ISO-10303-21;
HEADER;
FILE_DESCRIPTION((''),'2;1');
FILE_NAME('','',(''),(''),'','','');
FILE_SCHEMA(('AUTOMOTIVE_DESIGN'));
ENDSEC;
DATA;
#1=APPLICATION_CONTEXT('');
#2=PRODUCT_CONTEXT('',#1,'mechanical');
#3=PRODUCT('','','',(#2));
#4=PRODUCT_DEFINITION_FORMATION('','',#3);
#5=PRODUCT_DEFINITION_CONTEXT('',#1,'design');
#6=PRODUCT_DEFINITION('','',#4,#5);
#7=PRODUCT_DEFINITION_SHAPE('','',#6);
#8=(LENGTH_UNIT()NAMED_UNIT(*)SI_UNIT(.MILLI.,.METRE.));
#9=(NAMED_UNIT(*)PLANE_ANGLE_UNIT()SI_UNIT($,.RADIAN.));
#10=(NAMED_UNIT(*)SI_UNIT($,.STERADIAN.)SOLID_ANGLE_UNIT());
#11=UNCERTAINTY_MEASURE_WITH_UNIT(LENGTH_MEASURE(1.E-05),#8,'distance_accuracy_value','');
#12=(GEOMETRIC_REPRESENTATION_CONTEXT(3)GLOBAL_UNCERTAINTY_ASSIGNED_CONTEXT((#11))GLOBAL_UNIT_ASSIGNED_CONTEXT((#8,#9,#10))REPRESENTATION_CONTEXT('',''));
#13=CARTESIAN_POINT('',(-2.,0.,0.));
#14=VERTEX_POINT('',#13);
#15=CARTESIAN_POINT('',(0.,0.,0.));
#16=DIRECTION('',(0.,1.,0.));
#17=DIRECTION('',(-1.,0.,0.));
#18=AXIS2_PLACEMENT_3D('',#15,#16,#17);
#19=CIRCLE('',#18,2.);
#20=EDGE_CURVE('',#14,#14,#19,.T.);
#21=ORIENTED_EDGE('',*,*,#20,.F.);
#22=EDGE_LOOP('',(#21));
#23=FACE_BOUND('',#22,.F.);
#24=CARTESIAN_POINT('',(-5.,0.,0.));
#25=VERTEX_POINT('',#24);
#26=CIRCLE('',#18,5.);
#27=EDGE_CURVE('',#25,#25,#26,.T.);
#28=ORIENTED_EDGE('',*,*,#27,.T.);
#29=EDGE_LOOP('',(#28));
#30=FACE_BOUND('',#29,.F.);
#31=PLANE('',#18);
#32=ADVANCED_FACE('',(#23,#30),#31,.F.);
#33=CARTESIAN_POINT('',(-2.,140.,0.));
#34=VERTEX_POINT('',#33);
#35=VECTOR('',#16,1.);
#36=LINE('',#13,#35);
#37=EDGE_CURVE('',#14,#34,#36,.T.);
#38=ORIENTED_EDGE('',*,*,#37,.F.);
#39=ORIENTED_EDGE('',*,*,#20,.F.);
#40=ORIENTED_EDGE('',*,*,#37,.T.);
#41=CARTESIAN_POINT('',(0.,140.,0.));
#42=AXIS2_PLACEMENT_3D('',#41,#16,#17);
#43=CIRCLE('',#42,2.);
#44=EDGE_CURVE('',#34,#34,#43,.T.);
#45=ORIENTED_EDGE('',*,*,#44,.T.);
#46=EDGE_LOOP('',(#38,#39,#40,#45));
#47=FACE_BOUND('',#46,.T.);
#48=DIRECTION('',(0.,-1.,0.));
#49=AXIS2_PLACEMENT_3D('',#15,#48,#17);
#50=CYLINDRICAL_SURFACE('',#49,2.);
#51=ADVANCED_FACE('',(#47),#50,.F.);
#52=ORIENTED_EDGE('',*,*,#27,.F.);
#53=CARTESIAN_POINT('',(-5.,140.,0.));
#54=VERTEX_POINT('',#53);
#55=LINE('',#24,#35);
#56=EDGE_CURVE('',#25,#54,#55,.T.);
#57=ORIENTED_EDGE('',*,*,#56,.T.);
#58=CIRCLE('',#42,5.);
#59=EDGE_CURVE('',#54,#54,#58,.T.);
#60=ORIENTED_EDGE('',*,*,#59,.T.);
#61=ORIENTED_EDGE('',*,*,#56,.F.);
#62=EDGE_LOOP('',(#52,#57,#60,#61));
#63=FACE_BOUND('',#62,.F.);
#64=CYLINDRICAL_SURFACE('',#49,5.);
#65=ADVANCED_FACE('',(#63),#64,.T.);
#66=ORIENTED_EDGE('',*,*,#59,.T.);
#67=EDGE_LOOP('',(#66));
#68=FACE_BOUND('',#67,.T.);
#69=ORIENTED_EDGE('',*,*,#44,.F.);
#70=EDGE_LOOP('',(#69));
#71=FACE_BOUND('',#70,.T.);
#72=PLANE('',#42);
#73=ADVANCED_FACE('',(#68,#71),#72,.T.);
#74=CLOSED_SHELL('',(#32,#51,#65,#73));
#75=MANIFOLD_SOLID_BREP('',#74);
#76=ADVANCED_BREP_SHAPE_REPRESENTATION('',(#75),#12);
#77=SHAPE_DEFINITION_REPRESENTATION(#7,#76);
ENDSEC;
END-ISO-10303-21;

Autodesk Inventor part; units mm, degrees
ref_plane "YZ Plane" through (0, 0, 0) normal (1, 0, 0) x (0, 1, 0)
ref_plane "XZ Plane" through (0, 0, 0) normal (0, 1, 0) x (-1, 0, 0)
ref_plane "XY Plane" through (0, 0, 0) normal (0, 0, 1) x (1, 0, 0)
sketch "Sketch1" plane through (0, 0, 0) normal (0, 1, 0) x (-1, 0, 0)
  circle A0 centre (0, 0) radius 5
  circle A1 centre (0, 0) radius 2
  dimension "d0" = 4
  dimension "d1" = 10
extrude "Extrusion1" add sketch "Sketch1" along normal blind 140
properties part number "LONG STANDOFFS"
